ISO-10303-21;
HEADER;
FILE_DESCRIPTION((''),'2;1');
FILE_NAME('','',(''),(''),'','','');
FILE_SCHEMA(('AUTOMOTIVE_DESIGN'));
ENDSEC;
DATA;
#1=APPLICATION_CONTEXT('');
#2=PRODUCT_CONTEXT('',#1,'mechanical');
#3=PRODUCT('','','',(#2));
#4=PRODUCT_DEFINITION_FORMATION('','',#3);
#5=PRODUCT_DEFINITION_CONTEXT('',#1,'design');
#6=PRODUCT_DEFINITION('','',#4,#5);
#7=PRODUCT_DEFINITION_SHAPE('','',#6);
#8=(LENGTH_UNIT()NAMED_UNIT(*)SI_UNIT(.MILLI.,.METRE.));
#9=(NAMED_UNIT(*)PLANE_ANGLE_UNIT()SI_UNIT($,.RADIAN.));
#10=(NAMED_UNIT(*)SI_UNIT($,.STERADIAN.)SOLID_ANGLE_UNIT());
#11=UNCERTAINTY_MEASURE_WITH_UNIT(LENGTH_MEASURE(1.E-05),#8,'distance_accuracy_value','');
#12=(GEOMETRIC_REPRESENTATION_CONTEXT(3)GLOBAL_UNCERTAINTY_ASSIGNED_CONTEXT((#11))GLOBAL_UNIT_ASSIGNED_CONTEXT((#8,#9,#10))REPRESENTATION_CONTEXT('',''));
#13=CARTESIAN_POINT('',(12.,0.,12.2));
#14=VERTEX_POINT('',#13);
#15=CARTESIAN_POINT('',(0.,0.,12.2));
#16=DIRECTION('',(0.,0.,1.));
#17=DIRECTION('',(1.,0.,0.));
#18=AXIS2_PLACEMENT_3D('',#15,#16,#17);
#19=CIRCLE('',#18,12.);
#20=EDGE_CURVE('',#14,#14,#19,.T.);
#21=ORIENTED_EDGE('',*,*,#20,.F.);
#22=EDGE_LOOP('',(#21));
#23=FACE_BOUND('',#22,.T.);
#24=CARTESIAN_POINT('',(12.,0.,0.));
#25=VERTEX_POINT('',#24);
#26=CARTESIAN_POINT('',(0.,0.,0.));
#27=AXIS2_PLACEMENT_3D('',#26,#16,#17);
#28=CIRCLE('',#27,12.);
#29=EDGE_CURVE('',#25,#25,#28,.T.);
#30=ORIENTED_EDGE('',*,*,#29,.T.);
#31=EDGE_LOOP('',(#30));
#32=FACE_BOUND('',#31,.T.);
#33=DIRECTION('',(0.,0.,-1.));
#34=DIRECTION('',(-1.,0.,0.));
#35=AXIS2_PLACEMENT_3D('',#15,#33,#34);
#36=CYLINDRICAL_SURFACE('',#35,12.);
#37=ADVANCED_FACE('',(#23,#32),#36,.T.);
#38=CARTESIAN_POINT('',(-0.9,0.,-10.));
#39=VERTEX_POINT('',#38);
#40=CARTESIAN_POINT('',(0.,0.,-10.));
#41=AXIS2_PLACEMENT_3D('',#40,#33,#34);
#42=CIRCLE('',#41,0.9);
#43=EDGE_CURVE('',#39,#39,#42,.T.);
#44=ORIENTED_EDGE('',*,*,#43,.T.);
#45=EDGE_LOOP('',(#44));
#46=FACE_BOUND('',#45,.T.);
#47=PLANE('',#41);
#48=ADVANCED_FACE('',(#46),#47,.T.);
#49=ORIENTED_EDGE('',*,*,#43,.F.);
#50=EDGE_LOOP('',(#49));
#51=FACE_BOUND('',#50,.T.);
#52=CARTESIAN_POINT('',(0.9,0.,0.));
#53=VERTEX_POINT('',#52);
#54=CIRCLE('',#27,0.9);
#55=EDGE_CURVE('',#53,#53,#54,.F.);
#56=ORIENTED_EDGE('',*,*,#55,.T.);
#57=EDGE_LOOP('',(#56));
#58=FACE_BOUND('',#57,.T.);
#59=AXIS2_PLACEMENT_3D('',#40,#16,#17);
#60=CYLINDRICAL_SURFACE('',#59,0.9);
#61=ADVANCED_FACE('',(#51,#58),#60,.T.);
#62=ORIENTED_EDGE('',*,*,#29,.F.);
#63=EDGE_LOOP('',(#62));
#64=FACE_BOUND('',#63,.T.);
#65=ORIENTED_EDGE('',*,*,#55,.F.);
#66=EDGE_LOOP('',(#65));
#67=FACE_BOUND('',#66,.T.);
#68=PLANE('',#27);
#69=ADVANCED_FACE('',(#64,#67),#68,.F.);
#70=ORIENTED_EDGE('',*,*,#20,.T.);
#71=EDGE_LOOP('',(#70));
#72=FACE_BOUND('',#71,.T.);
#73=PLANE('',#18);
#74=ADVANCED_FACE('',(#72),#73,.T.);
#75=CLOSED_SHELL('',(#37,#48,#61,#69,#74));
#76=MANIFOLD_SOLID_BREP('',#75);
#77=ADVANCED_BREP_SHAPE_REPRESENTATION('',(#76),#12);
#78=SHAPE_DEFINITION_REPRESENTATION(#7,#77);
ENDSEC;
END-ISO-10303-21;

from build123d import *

# Parameters (mm, degrees)
SKETCH_1_R      = 12
EXTRUDE_1_DEPTH = 12.2
SKETCH_2_R      = 0.9
EXTRUDE_2_DEPTH = 10


with BuildPart() as part:
    # 草图1 → 凸台-拉伸1 (new body)
    with BuildSketch(Plane.XY):
        Circle(SKETCH_1_R)
    extrude(amount=EXTRUDE_1_DEPTH)

    # 草图2 → 凸台-拉伸2 (add)
    with BuildSketch(Plane(origin=(0, 0, 0), x_dir=(-1, 0, 0), z_dir=(0, 0, -1))):
        with Locations(Location((0, 0, 0), (0, 0, 180))):
            Circle(SKETCH_2_R)
    extrude(amount=EXTRUDE_2_DEPTH)


solid = part.part
